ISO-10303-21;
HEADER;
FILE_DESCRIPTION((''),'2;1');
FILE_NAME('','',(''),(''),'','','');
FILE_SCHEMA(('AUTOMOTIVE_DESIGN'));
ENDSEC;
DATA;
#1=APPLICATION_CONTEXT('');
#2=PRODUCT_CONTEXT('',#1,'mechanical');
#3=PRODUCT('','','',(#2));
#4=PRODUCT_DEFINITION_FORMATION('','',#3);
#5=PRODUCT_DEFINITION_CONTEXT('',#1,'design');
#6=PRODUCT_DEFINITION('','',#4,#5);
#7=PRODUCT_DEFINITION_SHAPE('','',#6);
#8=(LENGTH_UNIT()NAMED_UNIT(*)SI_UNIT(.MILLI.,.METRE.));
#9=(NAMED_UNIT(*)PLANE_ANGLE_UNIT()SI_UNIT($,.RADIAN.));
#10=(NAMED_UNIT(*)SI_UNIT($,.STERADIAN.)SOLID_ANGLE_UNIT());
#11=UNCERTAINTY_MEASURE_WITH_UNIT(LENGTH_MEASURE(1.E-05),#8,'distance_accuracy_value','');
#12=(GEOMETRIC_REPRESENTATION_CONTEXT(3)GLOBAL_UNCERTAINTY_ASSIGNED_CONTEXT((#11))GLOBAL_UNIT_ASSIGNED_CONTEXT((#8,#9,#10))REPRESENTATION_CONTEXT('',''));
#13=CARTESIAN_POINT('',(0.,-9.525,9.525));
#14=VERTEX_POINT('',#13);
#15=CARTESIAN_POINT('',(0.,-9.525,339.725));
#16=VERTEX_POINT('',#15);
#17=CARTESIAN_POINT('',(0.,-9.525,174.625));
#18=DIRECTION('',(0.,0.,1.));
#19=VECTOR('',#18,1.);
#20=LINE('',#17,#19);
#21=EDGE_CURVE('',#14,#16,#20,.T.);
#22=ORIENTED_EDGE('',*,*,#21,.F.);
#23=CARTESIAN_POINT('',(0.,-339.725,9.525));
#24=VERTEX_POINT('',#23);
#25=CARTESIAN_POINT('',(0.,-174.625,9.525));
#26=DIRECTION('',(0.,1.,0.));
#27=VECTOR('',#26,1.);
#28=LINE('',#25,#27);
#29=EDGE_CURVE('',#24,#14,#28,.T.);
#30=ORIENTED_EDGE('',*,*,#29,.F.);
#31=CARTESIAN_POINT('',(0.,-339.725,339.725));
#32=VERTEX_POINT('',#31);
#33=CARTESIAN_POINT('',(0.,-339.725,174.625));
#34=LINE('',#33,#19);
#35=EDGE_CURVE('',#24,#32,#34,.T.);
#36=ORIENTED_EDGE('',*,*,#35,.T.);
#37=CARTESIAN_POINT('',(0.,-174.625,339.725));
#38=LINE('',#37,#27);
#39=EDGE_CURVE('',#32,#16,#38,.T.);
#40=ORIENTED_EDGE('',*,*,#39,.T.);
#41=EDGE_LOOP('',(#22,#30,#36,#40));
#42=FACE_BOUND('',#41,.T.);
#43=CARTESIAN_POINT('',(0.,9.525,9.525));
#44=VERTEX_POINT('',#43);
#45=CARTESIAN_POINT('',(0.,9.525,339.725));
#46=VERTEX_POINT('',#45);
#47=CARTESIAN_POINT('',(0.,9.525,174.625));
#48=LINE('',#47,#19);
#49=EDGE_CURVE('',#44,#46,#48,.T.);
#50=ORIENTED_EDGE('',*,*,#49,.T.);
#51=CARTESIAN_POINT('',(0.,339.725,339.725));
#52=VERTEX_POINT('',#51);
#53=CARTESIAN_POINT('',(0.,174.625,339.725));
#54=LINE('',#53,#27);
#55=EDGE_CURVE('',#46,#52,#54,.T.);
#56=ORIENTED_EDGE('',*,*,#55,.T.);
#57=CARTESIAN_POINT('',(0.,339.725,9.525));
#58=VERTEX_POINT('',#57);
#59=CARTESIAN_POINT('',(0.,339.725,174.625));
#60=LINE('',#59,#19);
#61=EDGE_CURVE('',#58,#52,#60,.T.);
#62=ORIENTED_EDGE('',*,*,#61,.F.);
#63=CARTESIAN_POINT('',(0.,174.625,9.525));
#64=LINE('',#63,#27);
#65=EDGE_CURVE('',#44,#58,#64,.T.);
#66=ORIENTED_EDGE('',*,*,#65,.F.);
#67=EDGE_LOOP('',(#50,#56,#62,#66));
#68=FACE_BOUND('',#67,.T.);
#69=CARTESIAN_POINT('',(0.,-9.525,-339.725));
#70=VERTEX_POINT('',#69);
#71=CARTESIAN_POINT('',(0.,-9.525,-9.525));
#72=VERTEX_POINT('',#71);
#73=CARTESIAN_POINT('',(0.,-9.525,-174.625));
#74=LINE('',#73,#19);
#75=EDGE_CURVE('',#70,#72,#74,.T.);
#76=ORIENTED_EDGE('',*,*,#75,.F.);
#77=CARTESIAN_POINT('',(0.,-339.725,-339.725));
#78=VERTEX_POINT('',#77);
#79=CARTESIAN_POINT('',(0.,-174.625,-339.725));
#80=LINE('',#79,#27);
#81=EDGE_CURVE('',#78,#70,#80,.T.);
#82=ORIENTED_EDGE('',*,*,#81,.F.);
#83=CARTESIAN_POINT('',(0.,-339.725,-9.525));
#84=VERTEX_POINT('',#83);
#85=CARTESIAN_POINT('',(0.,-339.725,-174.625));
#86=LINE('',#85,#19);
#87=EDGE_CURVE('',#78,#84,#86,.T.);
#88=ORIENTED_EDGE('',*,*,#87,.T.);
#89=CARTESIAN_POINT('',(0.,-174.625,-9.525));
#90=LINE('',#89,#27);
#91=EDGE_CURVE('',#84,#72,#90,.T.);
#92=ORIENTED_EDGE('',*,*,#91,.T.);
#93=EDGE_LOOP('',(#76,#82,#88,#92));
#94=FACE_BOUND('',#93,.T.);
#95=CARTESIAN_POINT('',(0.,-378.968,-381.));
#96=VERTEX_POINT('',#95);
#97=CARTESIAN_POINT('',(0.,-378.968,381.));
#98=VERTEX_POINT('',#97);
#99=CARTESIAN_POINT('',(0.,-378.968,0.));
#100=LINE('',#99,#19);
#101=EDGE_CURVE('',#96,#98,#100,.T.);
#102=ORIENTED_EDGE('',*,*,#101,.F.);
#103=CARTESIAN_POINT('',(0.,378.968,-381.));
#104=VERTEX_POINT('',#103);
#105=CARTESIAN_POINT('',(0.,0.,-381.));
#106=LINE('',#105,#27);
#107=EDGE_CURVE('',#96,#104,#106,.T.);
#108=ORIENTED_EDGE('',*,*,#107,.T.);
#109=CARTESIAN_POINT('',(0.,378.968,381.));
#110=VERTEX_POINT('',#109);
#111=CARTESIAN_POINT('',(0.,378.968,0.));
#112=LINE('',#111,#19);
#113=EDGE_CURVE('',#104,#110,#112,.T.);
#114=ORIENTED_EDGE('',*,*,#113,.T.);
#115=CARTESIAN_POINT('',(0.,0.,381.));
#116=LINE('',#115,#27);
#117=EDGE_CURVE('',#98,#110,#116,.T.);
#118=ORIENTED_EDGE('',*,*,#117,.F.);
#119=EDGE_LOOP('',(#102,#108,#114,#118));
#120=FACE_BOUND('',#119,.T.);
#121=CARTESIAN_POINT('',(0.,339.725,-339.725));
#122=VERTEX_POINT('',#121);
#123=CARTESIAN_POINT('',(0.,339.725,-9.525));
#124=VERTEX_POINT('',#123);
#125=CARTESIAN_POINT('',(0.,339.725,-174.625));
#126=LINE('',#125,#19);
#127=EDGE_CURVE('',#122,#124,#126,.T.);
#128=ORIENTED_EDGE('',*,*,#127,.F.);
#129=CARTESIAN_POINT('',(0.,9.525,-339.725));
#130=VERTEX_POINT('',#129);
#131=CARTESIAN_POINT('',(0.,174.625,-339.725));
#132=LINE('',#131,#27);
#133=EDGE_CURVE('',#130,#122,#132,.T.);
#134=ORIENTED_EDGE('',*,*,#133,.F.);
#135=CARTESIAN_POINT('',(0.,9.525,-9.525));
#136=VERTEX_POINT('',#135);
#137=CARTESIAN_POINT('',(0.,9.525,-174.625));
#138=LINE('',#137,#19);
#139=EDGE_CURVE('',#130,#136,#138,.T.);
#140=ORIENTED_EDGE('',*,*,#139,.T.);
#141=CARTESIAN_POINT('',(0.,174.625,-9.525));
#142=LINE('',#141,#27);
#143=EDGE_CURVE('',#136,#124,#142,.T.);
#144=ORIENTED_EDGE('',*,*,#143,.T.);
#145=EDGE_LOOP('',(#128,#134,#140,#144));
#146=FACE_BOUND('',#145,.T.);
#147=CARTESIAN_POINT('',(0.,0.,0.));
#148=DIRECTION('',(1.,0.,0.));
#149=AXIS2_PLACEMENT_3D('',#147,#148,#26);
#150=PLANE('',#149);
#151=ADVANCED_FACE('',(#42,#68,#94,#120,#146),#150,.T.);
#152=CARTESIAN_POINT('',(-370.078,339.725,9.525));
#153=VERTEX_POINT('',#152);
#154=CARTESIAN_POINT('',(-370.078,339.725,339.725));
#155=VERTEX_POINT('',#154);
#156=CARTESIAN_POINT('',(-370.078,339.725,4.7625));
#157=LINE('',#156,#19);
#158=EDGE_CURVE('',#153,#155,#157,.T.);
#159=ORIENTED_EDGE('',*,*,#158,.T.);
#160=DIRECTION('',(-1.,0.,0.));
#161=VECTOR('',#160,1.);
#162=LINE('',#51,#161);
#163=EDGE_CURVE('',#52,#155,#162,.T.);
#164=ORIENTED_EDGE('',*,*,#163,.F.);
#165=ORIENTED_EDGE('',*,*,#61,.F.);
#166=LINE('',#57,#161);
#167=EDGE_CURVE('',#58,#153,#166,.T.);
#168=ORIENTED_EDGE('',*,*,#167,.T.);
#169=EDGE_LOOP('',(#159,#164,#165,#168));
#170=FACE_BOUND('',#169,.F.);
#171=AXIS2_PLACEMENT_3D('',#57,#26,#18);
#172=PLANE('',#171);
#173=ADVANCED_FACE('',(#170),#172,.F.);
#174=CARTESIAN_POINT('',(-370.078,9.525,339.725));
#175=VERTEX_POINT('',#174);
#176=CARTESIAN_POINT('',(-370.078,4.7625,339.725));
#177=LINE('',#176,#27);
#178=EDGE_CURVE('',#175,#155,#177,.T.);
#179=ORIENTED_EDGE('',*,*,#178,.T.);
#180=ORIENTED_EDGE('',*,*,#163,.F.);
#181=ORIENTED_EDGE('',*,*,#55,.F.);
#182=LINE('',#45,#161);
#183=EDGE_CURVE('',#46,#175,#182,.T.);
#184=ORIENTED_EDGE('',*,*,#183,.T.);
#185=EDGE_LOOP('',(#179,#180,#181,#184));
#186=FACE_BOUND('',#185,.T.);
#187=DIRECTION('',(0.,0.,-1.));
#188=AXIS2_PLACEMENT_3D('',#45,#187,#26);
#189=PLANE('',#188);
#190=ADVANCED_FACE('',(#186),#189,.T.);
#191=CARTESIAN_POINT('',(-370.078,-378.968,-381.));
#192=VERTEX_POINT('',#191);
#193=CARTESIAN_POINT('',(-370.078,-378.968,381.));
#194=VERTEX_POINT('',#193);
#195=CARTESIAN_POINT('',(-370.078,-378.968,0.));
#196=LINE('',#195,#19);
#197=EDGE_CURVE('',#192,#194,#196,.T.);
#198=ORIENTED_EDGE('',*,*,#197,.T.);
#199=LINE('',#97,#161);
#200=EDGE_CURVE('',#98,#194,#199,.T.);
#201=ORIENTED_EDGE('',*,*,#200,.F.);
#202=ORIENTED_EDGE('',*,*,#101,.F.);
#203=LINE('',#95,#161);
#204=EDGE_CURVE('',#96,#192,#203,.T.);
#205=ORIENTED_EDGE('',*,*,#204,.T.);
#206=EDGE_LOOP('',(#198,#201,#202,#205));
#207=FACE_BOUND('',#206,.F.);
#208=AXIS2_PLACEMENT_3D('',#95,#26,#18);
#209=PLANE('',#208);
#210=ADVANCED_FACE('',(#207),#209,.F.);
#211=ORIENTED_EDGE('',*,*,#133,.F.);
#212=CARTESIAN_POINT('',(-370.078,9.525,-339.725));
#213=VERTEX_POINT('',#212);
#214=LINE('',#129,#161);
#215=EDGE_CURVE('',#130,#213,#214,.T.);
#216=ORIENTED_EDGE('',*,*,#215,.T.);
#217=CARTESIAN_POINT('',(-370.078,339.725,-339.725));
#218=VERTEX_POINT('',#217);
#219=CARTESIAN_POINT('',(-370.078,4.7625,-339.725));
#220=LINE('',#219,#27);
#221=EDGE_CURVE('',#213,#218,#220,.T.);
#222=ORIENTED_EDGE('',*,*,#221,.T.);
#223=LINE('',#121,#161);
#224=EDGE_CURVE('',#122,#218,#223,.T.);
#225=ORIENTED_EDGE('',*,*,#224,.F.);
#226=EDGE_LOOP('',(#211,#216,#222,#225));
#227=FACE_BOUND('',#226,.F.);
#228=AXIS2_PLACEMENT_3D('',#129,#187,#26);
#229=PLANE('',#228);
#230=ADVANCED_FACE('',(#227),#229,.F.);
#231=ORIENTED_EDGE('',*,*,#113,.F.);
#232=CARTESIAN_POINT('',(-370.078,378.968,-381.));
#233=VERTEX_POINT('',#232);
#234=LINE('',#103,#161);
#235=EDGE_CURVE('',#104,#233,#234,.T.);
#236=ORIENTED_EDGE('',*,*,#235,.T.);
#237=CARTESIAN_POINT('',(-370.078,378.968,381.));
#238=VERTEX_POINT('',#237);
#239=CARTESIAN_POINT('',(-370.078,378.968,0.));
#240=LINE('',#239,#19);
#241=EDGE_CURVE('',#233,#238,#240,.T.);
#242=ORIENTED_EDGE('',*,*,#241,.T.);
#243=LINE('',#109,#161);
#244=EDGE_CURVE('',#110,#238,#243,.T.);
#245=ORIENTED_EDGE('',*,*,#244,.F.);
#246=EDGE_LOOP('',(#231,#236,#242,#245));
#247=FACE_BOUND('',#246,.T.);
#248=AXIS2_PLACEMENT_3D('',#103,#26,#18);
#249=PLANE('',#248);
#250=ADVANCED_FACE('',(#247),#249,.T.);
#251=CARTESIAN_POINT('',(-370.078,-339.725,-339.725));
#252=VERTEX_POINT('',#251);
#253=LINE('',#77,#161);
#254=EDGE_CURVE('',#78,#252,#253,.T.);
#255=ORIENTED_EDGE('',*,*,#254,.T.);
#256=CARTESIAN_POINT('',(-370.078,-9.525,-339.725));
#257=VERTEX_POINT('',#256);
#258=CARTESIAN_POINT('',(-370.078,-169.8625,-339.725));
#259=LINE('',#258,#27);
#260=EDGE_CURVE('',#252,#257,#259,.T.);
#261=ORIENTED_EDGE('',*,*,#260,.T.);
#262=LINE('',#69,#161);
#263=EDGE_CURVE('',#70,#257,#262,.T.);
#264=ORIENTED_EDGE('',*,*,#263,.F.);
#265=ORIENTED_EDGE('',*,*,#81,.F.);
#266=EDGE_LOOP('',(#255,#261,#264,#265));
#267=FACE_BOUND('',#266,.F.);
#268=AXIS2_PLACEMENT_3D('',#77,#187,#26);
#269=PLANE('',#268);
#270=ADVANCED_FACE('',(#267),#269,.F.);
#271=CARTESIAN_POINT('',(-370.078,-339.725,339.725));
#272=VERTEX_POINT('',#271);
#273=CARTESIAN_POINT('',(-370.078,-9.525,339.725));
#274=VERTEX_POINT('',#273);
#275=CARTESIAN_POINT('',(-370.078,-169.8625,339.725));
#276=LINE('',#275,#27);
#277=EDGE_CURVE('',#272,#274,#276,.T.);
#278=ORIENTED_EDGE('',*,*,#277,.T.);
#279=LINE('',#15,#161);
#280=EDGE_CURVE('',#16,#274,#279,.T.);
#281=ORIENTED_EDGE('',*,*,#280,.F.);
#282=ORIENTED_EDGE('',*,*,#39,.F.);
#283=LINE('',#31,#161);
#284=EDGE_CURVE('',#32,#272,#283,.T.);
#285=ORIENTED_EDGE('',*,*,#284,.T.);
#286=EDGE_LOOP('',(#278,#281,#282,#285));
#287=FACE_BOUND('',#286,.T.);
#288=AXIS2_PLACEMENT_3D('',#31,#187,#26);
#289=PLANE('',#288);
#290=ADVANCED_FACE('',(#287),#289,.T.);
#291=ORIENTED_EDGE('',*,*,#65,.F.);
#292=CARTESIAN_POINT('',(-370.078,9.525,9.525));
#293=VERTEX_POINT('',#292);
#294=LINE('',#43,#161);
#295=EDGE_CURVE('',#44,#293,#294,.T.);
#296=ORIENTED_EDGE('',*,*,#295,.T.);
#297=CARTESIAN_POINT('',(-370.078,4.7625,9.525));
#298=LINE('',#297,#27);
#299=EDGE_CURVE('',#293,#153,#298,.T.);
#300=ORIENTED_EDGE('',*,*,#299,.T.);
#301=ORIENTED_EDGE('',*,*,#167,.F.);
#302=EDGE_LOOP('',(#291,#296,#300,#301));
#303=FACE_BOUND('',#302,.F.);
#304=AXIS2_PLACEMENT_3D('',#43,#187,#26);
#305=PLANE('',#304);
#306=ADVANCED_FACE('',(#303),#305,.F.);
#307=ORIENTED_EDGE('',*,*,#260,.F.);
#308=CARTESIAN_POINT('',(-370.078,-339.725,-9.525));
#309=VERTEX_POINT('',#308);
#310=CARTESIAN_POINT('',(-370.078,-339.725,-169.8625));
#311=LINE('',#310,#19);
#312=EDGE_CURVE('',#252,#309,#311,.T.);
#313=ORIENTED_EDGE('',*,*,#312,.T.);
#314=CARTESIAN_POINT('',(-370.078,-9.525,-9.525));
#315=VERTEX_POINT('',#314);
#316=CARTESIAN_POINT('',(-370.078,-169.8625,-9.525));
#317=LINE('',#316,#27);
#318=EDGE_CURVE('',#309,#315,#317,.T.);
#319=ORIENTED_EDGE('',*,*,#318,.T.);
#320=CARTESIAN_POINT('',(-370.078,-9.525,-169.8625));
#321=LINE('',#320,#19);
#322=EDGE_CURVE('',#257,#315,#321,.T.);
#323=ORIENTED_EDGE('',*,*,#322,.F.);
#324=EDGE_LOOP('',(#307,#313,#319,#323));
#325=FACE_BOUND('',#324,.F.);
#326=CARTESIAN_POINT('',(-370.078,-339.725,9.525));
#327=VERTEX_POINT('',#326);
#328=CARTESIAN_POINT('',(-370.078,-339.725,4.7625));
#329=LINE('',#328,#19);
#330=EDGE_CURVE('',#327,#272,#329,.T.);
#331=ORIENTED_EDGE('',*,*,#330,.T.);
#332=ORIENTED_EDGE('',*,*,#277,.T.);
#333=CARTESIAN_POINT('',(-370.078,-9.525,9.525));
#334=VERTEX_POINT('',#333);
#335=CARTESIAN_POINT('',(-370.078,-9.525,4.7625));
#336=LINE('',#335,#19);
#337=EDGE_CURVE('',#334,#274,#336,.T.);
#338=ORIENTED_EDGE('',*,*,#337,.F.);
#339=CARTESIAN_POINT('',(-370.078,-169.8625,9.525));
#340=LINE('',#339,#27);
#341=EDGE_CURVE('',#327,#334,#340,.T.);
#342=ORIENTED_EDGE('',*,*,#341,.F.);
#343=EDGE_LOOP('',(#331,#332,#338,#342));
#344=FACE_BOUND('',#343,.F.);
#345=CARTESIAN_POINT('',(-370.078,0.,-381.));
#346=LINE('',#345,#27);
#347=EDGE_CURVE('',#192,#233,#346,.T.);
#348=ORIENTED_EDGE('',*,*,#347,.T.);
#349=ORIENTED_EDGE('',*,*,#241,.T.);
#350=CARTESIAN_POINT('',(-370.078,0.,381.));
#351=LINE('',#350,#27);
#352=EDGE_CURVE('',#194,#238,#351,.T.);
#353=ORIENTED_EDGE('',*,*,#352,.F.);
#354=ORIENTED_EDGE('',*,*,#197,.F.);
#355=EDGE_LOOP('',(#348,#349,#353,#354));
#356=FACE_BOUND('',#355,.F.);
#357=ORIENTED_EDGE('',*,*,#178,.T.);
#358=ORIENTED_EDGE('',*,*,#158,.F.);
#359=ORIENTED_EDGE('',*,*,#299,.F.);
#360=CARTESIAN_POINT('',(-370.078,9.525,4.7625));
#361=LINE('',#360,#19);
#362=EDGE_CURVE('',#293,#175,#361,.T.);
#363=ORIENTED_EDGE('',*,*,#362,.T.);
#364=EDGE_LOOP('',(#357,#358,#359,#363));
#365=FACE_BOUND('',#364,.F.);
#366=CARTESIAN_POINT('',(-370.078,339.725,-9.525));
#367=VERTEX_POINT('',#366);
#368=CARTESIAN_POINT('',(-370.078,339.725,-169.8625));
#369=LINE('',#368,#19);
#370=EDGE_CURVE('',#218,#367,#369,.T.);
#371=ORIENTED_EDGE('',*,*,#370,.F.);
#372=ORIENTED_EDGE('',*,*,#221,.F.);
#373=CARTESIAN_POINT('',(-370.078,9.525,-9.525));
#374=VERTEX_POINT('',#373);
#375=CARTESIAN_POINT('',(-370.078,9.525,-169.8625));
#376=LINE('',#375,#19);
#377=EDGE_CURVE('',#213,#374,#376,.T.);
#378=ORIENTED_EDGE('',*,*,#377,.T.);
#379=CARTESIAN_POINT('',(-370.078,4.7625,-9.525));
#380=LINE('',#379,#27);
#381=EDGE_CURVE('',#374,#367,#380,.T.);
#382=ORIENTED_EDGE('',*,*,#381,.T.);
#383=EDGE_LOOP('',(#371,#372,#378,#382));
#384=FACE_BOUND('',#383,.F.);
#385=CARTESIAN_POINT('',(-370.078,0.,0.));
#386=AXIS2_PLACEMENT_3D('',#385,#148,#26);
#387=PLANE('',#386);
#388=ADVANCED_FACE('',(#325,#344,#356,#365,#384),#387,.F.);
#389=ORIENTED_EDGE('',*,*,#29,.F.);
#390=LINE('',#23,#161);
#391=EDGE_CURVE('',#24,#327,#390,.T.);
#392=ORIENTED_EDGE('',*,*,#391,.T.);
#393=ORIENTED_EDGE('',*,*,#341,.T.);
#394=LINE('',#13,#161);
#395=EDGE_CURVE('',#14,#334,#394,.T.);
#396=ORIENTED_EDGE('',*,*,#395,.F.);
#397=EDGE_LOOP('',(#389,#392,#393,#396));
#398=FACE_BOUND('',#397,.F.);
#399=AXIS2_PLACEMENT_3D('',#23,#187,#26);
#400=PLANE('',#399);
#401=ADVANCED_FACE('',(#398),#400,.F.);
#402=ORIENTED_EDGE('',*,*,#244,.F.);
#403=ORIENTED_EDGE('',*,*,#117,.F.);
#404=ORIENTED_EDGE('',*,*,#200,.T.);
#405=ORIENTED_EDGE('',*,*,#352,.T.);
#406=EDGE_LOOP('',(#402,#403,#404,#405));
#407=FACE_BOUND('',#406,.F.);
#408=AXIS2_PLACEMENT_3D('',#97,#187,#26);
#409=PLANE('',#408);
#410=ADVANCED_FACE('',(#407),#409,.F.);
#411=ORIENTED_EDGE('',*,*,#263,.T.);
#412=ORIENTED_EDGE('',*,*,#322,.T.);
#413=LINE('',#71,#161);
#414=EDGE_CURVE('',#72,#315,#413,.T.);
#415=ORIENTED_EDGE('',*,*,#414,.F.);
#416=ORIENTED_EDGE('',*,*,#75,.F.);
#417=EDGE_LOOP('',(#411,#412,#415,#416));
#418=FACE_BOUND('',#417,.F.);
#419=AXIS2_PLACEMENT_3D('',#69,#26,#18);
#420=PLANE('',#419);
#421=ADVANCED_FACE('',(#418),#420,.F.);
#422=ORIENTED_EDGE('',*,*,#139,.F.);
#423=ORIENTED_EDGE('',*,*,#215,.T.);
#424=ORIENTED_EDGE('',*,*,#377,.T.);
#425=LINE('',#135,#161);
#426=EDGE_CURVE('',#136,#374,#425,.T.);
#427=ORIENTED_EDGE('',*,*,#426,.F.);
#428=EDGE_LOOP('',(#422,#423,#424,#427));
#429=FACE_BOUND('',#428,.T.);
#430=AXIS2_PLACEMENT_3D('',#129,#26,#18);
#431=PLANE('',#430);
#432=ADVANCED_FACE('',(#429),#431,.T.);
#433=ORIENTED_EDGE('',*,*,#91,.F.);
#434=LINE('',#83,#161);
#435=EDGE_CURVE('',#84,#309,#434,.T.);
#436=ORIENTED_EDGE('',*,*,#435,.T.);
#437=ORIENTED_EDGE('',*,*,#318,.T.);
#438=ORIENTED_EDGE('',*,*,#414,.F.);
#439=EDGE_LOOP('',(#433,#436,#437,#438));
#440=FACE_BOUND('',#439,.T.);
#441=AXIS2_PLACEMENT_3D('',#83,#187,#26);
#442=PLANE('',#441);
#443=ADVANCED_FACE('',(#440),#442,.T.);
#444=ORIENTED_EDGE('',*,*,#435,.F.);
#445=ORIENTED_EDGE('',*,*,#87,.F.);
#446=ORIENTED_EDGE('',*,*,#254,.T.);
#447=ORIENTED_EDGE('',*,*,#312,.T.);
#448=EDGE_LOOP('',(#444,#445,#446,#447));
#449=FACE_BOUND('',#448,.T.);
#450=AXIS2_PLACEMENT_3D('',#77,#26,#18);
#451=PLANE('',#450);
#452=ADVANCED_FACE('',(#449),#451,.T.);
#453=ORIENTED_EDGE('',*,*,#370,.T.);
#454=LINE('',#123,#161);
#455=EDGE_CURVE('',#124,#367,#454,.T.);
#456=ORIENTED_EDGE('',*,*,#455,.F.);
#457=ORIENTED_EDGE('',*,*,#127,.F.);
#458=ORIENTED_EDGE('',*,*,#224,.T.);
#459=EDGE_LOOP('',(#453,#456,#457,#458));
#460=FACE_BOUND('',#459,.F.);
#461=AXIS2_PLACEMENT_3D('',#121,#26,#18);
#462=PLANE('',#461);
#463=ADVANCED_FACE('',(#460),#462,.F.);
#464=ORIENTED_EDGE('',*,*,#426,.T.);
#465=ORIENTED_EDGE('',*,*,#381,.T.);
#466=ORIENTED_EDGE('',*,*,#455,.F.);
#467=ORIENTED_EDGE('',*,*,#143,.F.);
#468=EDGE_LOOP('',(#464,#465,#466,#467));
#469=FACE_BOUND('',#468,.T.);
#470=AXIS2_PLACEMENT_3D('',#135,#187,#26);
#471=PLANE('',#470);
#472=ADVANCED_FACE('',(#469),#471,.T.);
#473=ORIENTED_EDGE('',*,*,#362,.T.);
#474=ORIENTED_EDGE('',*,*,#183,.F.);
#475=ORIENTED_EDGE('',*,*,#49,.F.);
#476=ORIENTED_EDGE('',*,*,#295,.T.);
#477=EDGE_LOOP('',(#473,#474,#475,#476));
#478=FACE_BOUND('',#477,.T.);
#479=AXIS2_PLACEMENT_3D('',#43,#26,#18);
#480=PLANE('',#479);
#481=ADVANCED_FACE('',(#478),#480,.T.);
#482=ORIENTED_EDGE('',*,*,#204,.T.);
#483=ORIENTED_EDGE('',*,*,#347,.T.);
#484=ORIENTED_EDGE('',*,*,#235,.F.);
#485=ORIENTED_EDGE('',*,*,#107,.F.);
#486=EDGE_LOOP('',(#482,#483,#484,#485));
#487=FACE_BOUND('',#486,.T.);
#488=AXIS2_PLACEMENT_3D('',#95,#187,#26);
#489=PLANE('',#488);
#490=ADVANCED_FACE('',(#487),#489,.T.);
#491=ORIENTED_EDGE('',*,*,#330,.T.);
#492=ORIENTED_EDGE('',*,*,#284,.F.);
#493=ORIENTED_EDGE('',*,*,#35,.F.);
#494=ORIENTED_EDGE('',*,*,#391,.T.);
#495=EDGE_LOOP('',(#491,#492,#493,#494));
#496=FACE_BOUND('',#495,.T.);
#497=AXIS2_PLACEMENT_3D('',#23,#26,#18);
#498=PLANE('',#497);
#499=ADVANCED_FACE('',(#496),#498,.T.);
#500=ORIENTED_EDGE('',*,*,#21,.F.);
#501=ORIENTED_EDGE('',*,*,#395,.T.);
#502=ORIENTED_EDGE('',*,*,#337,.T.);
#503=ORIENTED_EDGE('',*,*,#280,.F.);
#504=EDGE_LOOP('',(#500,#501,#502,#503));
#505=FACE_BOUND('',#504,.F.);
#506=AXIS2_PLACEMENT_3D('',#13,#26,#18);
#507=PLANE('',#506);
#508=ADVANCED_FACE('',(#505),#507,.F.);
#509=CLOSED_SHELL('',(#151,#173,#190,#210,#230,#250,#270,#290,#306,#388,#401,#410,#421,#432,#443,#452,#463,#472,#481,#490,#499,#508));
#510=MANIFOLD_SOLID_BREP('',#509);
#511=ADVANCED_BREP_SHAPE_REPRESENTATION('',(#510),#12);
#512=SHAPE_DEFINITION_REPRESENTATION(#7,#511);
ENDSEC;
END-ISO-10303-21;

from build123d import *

# Parameters (mm, degrees)
F0_W     = 757.936
F0_H     = 762
F1_DEPTH = 370.078
F2_W     = 330.2
F2_H     = 330.2
F3_DEPTH = 370.079


with BuildPart() as f1:
    # F0 (on Right) → F1 (new body)
    with BuildSketch(Plane.YZ):
        Rectangle(F0_W, F0_H)
    extrude(amount=-F1_DEPTH)

    # F2 (on face) → F3 (cut, through all)
    with BuildSketch(Plane.YZ):
        with Locations((-174.625, 174.625)):
            Rectangle(F2_W, F2_H)
        with Locations((174.625, 174.625)):
            Rectangle(F2_W, F2_H)
        with Locations((174.625, -174.625)):
            Rectangle(F2_W, F2_H)
        with Locations((-174.625, -174.625)):
            Rectangle(F2_W, F2_H)
    extrude(amount=-F3_DEPTH, mode=Mode.SUBTRACT)


solid = f1.part
